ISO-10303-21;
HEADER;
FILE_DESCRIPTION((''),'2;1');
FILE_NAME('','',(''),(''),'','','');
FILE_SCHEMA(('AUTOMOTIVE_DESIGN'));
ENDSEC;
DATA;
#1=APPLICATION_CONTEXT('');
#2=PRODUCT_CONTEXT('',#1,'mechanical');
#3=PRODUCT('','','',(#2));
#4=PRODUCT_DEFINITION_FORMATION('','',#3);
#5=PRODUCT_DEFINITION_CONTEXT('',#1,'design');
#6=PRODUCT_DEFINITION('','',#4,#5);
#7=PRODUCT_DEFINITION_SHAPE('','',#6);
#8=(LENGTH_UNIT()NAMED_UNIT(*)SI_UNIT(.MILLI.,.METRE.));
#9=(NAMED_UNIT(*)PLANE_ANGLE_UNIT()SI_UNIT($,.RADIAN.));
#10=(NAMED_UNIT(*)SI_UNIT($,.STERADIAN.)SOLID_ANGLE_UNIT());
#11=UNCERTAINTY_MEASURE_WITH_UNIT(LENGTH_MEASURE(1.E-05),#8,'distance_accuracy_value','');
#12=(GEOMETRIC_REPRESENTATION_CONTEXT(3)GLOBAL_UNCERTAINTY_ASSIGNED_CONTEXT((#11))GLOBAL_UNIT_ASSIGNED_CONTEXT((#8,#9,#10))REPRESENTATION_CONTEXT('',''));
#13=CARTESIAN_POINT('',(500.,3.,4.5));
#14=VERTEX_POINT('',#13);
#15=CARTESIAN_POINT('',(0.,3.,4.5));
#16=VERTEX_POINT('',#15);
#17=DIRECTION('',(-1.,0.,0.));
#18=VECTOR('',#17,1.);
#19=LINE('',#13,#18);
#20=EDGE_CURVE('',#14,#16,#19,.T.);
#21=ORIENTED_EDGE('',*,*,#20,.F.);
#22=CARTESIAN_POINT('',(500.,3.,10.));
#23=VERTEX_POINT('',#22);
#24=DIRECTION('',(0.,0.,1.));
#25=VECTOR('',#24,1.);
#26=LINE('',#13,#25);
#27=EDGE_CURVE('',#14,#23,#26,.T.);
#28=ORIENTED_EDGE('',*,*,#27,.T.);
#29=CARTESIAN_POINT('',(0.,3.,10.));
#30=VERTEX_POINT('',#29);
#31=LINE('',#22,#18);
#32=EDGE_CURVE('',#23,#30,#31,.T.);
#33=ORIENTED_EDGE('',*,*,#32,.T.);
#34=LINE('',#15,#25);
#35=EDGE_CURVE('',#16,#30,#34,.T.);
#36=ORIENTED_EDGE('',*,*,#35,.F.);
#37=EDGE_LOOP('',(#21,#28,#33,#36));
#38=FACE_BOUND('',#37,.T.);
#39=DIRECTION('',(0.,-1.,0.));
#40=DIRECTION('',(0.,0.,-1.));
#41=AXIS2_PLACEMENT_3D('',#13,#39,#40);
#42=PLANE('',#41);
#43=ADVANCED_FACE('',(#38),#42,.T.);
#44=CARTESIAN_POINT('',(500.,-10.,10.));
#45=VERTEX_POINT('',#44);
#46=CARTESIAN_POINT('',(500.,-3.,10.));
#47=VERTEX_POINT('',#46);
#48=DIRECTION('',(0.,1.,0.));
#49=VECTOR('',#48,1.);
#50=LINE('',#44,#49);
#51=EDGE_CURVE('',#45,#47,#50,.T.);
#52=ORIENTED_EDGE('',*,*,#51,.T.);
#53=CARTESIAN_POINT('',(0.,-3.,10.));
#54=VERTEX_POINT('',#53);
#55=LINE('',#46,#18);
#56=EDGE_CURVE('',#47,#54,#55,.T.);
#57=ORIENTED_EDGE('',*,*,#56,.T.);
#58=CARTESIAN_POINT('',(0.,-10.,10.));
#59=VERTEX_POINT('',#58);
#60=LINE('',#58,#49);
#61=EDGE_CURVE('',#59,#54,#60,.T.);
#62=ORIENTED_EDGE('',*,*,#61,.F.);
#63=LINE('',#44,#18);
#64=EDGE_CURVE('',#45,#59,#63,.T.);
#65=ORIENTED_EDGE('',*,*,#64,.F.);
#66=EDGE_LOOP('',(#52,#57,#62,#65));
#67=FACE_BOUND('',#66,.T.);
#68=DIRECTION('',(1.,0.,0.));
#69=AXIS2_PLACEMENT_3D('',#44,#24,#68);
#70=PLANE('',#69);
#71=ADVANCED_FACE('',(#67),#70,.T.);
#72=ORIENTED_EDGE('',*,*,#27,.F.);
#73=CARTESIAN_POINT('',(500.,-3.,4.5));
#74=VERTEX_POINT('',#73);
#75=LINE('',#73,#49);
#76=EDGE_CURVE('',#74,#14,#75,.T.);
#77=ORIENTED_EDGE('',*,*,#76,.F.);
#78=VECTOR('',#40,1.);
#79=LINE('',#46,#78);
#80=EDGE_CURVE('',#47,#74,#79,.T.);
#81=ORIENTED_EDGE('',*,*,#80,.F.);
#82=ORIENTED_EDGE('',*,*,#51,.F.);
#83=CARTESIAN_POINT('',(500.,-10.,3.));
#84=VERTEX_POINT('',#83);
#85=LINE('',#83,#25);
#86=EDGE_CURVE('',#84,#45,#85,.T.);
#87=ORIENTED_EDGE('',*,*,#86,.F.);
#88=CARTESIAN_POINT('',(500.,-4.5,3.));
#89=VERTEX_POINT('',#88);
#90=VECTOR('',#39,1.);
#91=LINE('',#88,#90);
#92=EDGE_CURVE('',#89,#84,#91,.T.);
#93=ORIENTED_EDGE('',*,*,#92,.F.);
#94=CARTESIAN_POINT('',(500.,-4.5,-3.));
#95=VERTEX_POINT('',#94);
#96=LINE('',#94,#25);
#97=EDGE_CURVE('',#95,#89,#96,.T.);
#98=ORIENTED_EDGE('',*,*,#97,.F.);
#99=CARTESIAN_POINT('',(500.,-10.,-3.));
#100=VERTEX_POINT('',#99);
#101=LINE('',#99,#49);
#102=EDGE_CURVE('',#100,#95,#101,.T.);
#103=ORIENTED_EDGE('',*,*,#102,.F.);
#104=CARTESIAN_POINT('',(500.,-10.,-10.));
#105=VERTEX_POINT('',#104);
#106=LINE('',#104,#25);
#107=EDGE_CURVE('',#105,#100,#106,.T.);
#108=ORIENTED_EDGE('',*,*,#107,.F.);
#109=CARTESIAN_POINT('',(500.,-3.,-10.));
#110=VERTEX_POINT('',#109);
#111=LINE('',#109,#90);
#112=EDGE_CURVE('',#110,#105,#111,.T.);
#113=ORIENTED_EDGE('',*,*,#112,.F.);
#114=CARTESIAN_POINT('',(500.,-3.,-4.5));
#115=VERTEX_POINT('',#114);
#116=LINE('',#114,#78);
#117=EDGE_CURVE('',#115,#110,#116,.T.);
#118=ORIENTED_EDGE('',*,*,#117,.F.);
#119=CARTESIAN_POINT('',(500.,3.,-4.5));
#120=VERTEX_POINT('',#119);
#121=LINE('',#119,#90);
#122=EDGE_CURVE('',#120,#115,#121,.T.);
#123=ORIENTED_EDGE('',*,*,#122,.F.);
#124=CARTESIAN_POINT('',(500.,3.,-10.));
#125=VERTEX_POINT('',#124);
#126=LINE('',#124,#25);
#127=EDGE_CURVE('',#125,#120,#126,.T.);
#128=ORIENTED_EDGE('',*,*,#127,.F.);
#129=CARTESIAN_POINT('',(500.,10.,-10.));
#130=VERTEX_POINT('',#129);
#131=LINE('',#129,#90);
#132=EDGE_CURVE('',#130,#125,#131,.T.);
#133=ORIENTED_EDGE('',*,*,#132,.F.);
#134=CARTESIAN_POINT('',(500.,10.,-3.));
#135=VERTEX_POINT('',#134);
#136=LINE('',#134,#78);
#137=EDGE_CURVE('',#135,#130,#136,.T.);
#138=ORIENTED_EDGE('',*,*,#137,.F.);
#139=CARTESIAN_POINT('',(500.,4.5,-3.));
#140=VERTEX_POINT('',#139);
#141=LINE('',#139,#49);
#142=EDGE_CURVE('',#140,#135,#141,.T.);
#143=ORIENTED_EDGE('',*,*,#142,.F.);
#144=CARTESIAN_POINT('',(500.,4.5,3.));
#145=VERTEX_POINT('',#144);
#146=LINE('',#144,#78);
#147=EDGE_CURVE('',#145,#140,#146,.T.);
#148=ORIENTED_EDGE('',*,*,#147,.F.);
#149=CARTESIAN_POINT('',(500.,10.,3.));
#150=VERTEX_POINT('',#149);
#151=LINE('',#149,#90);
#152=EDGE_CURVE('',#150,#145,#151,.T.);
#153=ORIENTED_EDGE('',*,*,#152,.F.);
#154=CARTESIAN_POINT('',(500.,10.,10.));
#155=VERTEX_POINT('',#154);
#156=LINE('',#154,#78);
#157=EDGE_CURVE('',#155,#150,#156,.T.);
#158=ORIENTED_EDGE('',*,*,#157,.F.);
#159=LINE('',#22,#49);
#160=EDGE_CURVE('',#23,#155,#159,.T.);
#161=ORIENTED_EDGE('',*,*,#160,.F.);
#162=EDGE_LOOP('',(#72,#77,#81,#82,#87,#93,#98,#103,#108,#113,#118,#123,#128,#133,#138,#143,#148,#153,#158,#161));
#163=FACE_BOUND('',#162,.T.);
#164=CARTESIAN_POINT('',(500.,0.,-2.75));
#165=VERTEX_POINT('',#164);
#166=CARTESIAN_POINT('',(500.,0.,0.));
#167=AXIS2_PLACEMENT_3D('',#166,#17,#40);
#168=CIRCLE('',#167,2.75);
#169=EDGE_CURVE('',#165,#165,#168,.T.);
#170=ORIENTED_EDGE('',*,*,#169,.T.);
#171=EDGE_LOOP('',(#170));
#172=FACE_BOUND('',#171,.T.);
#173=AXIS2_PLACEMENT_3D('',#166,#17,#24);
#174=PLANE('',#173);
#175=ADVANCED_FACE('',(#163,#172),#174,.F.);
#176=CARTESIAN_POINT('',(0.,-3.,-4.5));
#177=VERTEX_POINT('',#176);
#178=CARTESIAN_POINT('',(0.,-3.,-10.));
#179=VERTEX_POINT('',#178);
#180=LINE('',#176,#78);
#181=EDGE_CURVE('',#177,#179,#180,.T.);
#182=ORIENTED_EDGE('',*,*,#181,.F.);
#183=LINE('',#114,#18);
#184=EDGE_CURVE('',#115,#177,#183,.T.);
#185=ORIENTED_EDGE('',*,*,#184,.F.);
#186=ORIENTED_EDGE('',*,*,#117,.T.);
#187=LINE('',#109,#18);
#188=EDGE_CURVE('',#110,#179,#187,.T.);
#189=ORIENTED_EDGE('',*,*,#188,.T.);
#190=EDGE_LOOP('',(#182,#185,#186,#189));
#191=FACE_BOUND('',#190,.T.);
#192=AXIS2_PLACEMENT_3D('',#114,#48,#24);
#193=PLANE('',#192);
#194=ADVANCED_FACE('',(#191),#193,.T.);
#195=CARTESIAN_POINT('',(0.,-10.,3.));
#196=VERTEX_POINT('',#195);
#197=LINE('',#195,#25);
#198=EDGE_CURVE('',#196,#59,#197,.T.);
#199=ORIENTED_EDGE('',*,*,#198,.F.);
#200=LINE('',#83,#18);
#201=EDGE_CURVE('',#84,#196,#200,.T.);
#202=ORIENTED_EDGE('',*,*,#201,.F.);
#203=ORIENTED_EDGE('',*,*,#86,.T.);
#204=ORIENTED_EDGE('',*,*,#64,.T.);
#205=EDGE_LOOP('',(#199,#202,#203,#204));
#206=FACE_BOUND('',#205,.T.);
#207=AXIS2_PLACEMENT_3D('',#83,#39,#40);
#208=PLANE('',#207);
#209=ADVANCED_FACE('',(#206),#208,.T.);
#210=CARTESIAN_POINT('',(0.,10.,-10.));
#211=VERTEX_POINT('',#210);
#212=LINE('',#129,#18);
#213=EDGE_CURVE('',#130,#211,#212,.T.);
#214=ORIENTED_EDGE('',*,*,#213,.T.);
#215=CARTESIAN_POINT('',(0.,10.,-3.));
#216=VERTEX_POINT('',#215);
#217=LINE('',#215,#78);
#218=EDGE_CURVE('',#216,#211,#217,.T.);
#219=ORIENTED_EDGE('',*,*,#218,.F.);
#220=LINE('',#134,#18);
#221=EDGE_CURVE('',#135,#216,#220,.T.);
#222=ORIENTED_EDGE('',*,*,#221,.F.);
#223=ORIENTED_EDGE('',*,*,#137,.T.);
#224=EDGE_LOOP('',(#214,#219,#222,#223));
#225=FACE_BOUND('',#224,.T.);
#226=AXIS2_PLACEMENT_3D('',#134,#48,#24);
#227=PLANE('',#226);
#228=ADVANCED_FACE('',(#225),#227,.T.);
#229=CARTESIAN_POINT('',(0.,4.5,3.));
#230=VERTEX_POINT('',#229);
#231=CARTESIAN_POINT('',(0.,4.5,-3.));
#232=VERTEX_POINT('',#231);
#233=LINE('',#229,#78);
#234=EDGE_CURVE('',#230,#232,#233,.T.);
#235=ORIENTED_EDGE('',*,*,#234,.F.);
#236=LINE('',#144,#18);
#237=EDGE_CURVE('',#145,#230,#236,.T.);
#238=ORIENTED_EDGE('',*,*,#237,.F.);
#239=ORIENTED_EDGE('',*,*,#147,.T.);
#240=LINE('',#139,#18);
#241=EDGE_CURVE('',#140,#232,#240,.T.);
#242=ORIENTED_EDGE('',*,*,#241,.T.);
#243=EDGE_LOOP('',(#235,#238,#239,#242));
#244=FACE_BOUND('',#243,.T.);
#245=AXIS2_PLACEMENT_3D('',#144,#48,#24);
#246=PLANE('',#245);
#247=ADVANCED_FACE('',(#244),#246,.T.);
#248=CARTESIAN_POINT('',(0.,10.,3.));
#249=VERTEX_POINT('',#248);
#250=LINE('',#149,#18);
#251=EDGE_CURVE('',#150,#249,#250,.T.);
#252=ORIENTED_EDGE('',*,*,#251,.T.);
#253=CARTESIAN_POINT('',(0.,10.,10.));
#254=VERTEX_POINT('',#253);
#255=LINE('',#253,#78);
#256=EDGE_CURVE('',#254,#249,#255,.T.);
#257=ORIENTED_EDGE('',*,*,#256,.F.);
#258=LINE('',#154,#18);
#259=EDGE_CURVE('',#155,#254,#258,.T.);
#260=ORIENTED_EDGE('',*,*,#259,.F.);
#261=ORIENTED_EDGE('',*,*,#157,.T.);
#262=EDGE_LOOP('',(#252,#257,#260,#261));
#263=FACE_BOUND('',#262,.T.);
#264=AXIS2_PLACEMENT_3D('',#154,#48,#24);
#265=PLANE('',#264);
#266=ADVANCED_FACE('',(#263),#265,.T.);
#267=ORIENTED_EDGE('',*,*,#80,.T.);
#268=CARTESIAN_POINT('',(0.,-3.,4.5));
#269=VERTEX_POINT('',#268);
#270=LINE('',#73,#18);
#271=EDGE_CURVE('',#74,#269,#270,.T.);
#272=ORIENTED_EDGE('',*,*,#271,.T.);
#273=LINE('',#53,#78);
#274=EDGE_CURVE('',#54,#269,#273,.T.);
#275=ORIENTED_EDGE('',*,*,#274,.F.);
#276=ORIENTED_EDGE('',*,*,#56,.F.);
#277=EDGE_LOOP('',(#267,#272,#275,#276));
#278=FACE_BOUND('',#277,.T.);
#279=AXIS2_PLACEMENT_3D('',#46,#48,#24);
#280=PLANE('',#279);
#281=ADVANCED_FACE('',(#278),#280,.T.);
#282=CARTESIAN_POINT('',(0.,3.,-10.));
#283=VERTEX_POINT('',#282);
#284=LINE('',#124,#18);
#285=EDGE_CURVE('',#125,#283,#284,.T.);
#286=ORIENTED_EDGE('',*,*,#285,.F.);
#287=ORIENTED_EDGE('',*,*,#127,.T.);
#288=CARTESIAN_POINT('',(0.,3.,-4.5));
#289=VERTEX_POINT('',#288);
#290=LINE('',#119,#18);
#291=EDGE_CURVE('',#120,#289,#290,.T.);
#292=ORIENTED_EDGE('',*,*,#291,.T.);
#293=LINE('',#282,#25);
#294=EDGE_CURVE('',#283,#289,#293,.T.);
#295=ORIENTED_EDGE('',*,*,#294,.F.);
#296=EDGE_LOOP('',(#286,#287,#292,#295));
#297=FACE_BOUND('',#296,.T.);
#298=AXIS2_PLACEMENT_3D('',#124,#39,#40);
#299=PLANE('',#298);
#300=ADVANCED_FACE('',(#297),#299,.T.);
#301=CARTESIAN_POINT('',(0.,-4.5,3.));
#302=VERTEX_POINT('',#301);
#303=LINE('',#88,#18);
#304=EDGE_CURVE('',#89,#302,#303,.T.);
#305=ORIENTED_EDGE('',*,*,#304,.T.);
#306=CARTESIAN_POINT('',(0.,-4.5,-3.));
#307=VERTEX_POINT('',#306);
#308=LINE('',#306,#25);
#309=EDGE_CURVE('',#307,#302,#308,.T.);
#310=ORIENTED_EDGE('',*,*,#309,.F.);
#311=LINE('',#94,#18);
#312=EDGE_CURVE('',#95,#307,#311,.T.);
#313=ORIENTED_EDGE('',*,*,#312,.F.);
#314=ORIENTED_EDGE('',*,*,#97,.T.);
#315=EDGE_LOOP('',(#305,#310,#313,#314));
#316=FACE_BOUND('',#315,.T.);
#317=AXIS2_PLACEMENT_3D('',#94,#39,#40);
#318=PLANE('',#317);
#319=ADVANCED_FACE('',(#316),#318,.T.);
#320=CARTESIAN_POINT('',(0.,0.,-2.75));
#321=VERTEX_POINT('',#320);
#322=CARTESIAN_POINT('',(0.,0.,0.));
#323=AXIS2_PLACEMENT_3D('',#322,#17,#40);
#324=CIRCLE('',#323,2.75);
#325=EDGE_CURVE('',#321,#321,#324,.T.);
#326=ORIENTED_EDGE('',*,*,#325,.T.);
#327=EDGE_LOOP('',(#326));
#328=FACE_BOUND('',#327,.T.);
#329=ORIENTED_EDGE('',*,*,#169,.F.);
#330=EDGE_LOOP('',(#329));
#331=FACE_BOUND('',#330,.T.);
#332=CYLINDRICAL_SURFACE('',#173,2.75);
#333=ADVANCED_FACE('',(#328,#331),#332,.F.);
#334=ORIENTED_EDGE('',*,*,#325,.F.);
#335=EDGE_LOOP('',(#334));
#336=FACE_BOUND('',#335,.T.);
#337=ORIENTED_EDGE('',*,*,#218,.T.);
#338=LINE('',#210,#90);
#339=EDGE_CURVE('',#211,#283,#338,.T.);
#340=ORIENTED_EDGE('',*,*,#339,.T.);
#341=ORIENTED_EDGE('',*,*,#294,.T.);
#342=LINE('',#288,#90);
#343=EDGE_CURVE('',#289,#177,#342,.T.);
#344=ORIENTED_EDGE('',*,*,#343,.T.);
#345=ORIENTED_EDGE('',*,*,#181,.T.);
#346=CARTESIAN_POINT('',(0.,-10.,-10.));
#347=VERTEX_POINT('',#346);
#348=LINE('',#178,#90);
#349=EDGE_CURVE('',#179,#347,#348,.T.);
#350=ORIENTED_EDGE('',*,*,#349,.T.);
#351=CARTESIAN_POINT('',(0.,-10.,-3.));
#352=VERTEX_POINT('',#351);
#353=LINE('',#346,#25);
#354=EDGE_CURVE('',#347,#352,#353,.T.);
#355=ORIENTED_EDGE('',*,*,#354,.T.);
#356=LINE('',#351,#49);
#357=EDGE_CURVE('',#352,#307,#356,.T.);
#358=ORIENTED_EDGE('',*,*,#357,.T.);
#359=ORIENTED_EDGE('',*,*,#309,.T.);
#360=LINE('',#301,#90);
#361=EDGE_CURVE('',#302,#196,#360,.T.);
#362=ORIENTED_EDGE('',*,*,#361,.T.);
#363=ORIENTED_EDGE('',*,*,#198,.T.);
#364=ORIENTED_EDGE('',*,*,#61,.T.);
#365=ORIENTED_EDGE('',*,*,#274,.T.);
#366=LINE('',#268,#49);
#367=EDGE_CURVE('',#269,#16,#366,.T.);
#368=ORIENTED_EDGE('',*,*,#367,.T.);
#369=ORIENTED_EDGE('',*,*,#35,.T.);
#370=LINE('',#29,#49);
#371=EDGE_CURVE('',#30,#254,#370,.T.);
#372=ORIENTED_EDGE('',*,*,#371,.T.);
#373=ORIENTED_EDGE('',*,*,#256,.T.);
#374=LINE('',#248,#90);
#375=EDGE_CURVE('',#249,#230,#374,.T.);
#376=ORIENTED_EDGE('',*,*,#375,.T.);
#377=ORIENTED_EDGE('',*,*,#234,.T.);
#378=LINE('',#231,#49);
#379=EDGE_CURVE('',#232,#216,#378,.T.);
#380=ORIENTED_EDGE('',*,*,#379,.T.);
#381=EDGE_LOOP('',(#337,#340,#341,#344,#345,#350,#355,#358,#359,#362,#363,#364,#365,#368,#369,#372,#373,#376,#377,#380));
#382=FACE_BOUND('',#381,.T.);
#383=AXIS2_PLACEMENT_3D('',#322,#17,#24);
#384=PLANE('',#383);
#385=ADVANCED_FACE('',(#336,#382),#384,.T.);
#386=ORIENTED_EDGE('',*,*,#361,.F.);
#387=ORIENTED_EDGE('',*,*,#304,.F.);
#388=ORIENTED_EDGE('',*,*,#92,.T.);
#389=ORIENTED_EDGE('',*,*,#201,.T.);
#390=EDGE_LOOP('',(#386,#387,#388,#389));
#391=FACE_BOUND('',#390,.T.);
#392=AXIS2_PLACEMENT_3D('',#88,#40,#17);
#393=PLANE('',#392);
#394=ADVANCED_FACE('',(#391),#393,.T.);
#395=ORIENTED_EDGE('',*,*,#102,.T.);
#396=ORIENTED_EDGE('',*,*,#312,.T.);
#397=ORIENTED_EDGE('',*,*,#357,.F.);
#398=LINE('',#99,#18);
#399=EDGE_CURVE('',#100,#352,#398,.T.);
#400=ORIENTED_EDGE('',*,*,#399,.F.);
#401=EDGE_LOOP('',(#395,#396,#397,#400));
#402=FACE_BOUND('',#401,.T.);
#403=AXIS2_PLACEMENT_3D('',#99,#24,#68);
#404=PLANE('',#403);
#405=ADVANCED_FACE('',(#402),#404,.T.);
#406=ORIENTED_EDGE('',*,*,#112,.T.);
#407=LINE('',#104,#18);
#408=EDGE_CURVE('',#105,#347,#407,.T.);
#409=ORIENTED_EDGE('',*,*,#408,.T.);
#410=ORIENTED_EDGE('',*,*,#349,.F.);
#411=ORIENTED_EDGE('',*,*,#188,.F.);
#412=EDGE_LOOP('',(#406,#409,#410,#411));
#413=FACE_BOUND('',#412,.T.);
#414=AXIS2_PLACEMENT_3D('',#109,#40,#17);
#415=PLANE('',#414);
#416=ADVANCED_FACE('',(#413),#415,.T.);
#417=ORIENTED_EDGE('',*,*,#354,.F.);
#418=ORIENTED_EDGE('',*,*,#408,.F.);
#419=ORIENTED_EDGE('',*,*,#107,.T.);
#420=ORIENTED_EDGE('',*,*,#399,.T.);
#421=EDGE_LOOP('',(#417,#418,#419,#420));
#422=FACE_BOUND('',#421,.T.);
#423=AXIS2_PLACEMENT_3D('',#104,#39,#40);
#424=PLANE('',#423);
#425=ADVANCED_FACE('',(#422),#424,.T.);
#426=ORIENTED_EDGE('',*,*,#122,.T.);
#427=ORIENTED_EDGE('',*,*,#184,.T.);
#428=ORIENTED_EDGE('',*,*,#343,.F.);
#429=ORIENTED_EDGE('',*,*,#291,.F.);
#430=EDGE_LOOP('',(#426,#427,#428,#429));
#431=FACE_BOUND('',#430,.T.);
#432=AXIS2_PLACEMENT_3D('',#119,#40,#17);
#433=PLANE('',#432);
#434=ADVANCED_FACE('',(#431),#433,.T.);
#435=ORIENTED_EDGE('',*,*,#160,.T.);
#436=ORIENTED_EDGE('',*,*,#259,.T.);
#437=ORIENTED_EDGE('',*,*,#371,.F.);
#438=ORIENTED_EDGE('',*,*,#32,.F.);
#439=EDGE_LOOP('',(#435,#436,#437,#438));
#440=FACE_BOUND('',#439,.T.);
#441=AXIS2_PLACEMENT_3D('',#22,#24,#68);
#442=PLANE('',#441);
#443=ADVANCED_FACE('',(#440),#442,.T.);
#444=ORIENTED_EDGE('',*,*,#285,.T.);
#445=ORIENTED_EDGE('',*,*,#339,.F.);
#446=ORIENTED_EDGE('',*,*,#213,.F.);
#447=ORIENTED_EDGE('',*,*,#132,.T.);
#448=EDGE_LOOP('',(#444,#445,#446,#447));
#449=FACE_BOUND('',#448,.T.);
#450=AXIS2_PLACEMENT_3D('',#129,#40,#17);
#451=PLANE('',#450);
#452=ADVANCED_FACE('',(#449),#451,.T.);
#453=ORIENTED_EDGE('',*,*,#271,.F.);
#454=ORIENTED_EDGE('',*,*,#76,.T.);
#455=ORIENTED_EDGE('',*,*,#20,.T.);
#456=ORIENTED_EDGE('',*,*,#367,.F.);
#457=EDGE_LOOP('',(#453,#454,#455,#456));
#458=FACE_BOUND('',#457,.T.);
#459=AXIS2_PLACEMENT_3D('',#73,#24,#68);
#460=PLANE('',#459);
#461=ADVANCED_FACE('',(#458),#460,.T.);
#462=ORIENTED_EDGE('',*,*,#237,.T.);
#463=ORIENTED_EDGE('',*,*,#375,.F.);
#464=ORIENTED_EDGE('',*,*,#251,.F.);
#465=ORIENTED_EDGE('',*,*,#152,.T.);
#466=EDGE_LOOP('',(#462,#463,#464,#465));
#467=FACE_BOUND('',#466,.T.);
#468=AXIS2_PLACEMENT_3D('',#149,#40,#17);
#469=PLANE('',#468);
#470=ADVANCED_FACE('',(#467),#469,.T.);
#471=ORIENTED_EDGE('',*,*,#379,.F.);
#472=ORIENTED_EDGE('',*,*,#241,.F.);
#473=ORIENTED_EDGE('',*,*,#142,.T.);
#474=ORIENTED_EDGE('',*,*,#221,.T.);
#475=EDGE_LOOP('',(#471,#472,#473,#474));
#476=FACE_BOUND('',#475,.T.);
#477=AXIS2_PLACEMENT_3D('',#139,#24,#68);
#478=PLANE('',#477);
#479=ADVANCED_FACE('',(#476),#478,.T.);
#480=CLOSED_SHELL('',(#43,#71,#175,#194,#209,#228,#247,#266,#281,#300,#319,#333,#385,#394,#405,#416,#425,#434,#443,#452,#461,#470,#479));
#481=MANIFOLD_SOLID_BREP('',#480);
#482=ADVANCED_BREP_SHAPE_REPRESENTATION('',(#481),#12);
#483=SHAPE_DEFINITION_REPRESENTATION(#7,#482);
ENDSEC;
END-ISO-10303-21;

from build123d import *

# Parameters (mm, degrees)
ESQUISSE1_R        = 2.75
BOSS_EXTRU_1_DEPTH = 500


with BuildPart() as part:
    # Esquisse1 → Boss.-Extru.1 (new body)
    with BuildSketch(Plane(origin=(0, 0, 0), x_dir=(0, -1, 0), z_dir=(-1, 0, 0))):
        Polygon((-3, -10), (-3, -4.5), (3, -4.5), (3, -10), (10, -10), (10, -3), (4.5, -3), (4.5, 3), (10, 3), (10, 10), (3, 10), (3, 4.5), (-3, 4.5), (-3, 10), (-10, 10), (-10, 3), (-4.5, 3), (-4.5, -3), (-10, -3), (-10, -10), align=None)
        Circle(ESQUISSE1_R, mode=Mode.SUBTRACT)
    extrude(amount=-BOSS_EXTRU_1_DEPTH)


solid = part.part
